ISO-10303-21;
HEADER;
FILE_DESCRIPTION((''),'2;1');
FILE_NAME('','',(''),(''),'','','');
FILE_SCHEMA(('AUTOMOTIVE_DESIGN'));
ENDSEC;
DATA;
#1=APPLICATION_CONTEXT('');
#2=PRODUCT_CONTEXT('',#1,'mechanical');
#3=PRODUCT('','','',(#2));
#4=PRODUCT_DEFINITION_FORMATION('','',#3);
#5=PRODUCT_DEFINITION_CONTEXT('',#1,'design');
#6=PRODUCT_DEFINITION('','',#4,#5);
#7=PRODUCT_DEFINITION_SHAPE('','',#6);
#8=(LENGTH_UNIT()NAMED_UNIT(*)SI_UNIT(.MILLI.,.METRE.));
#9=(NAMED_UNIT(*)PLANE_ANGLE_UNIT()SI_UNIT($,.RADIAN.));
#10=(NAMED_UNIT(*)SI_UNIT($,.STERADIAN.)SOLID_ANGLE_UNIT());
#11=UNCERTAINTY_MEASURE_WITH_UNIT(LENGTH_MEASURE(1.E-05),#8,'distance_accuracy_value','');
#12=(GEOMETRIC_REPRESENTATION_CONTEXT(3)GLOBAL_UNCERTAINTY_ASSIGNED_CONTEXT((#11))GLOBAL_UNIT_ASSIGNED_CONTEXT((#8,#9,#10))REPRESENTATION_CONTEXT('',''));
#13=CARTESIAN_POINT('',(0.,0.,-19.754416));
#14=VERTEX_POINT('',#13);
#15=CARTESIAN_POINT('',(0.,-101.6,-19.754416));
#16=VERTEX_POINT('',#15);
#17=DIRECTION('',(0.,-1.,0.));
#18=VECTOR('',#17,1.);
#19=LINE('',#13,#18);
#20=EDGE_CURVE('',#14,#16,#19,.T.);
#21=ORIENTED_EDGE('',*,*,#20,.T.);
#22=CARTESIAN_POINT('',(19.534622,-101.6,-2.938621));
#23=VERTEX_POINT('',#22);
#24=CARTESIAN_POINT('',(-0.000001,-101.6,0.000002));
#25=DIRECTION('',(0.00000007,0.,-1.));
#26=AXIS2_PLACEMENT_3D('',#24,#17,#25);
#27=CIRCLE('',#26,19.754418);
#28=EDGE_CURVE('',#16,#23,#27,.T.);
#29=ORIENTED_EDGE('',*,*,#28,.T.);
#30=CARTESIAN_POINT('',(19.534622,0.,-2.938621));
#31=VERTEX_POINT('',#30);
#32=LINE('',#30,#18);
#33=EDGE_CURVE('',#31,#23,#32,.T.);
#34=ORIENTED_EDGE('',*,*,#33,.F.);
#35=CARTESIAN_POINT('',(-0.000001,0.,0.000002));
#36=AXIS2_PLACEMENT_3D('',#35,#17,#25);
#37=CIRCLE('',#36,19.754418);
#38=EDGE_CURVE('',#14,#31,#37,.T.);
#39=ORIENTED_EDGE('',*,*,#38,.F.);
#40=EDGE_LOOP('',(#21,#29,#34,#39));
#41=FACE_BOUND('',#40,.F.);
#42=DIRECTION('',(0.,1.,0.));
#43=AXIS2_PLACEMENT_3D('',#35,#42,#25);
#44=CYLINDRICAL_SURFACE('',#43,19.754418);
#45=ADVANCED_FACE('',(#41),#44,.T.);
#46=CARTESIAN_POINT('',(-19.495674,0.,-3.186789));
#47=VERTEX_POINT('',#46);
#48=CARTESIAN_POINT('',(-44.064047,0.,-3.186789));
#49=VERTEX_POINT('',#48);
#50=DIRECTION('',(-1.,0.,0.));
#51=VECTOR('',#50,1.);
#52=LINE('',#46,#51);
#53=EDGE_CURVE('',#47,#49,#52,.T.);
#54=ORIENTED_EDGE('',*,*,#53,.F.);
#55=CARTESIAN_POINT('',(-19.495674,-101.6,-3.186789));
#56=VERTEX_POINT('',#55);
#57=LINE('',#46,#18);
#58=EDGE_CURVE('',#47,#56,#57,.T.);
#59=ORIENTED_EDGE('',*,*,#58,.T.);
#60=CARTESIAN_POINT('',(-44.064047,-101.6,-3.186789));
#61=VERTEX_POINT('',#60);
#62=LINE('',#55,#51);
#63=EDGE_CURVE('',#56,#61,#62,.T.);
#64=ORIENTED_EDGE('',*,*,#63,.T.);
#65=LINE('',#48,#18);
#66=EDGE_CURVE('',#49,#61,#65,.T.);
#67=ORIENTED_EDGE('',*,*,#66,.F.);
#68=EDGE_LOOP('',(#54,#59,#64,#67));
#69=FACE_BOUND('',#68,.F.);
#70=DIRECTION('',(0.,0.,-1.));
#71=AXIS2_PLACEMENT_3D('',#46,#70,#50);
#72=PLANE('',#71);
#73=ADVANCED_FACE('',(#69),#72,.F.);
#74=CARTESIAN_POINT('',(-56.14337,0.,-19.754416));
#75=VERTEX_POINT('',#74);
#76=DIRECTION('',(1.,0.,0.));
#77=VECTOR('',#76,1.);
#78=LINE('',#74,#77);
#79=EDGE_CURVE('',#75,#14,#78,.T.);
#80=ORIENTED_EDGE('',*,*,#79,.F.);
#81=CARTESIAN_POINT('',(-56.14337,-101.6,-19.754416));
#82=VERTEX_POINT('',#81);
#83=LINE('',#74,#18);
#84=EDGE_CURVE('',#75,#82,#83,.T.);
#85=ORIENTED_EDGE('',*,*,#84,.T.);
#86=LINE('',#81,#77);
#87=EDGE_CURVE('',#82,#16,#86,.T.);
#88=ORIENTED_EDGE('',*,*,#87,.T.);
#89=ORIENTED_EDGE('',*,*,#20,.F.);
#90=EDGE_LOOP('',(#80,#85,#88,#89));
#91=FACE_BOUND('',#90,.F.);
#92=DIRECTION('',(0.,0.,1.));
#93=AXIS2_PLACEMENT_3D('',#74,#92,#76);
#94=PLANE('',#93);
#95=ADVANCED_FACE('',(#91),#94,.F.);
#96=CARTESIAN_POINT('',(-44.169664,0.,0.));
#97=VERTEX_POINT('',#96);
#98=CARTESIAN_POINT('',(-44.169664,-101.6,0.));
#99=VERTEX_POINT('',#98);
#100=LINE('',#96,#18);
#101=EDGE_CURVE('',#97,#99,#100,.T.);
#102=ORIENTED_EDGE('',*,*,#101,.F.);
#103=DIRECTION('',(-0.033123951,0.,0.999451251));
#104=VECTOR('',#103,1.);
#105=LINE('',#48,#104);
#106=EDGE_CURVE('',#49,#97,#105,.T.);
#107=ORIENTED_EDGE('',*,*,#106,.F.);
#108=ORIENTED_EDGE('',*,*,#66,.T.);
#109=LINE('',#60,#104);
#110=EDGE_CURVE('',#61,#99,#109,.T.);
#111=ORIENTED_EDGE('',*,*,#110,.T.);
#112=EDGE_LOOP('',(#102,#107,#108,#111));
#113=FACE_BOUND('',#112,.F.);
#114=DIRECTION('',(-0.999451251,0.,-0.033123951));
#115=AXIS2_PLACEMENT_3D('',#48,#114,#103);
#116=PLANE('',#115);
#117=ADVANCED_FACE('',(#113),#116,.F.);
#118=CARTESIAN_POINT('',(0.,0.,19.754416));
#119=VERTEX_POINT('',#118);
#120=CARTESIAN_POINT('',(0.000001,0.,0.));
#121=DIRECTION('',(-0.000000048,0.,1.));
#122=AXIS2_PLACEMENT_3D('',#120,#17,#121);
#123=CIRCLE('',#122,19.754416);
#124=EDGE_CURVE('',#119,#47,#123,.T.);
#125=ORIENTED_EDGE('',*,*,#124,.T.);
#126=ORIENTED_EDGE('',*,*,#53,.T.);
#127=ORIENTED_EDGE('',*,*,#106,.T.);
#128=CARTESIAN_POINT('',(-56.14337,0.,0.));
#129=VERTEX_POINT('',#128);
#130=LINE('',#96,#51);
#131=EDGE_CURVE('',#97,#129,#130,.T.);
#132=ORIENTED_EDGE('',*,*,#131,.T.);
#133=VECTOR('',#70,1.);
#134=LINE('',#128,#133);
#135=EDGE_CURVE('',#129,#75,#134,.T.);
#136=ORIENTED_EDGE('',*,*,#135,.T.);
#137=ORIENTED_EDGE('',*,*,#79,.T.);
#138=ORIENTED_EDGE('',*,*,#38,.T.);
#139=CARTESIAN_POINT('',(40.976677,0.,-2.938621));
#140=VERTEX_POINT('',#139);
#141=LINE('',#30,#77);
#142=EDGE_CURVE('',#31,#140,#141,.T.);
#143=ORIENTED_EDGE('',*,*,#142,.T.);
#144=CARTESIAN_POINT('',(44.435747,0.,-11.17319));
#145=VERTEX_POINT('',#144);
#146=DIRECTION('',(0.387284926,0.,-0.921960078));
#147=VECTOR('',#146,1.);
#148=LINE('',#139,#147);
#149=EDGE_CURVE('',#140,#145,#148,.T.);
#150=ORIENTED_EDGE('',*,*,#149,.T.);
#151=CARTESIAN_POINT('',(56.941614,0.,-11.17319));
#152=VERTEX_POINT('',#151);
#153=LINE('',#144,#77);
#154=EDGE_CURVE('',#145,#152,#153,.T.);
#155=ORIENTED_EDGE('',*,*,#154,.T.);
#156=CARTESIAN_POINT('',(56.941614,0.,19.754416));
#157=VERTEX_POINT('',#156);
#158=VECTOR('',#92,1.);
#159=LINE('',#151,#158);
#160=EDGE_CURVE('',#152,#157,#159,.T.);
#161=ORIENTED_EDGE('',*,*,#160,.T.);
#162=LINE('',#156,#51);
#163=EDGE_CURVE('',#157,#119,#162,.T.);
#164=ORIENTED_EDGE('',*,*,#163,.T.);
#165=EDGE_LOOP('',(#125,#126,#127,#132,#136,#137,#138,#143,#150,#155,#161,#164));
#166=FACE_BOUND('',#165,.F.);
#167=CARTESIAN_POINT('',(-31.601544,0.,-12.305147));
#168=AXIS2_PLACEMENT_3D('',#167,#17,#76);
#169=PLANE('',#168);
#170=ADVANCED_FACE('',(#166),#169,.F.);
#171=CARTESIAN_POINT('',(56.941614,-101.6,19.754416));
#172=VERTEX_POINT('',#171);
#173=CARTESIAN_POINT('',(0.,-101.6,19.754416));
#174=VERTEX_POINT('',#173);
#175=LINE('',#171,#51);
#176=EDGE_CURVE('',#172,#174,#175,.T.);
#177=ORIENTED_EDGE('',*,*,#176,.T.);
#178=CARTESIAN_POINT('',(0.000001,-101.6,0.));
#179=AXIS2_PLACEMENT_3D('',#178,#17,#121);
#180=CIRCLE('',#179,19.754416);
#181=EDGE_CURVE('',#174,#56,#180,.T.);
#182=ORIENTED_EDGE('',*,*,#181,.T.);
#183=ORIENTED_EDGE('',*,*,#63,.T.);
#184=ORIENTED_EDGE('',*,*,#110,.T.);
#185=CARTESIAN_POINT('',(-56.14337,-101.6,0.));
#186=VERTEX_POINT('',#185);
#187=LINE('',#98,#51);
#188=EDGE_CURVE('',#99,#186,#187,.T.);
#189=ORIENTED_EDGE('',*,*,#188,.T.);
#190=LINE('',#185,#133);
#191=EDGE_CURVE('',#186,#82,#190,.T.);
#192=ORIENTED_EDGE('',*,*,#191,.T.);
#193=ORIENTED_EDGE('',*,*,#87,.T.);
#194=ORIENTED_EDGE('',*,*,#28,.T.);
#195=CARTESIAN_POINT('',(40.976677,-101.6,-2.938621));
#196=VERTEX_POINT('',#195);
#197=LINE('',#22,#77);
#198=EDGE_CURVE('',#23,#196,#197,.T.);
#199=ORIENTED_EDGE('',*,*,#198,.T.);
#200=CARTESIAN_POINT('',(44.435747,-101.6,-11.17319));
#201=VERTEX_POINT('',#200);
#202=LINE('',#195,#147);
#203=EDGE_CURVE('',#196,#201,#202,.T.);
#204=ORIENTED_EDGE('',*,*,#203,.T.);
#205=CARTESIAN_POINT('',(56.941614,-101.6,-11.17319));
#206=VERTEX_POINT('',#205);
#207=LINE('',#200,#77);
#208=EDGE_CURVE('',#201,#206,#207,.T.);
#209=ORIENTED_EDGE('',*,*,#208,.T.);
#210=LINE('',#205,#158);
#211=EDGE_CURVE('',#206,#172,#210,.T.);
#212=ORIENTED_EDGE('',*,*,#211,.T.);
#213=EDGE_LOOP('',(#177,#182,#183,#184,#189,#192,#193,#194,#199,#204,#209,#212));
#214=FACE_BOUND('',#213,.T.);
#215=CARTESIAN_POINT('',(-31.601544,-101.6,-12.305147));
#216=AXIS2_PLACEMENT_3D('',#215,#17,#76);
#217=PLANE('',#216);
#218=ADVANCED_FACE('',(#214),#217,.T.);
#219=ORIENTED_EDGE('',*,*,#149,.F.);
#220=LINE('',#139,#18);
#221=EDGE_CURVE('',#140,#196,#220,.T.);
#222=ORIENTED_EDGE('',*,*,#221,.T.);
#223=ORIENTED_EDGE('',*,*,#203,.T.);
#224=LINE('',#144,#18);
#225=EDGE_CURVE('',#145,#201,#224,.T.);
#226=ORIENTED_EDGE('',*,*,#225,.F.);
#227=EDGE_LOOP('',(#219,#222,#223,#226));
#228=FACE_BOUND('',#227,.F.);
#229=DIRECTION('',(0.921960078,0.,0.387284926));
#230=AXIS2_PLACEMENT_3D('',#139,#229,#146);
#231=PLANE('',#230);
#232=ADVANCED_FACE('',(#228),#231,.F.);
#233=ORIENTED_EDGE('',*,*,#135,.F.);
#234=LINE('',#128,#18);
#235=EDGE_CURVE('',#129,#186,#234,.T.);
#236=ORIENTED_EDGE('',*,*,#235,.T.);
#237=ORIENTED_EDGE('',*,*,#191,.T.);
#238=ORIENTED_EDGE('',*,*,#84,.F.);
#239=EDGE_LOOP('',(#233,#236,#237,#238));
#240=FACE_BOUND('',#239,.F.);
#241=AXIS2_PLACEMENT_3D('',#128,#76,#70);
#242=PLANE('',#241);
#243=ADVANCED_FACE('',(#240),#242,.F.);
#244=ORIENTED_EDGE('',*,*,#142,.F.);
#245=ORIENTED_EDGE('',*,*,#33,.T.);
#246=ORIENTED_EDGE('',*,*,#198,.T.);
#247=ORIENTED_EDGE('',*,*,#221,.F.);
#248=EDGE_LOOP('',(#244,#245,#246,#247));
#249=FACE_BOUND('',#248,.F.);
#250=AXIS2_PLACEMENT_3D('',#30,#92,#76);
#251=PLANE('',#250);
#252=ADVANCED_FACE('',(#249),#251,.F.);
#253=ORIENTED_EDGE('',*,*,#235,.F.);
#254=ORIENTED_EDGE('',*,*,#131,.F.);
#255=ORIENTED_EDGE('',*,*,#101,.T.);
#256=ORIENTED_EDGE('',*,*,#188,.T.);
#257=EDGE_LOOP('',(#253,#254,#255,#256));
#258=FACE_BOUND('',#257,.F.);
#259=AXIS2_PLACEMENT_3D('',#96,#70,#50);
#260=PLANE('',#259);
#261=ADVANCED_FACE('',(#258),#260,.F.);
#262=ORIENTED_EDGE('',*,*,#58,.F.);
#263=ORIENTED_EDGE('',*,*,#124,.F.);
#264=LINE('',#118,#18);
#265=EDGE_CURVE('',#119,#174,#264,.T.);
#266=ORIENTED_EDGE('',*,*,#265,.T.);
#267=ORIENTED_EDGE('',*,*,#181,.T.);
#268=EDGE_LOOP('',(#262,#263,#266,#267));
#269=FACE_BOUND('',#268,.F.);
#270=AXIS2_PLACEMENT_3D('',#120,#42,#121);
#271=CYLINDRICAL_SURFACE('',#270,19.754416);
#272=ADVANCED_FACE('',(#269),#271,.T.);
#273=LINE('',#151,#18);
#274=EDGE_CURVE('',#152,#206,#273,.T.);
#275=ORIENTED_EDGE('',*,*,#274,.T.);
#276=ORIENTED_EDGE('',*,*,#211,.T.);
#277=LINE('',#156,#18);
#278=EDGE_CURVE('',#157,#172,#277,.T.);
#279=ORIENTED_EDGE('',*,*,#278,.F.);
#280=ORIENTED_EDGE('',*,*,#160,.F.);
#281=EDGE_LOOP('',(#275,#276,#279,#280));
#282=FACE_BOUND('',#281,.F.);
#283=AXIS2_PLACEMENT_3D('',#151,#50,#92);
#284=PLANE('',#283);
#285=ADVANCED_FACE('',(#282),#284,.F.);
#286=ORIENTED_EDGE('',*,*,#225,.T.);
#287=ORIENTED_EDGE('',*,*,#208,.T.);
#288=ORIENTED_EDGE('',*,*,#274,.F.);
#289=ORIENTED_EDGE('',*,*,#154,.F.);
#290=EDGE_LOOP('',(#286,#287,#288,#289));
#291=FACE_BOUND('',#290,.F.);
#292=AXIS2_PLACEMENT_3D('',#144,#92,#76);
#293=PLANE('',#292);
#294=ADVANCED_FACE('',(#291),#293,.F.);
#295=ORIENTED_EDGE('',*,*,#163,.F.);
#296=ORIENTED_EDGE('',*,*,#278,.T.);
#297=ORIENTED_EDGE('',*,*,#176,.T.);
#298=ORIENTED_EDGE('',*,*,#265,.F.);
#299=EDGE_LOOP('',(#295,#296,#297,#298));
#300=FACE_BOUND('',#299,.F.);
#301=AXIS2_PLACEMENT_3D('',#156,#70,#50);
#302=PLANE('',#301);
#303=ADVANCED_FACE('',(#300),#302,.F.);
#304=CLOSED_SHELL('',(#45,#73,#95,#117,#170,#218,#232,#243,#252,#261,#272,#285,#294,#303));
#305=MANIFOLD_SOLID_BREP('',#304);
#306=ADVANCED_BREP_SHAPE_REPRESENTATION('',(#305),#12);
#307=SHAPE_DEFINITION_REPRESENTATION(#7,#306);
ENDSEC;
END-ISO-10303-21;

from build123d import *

# Parameters (mm, degrees)
F1_DEPTH = 101.6


with BuildPart() as f1:
    # F0 (on Front) → F1 (new body)
    with BuildSketch(Plane.XZ):
        with BuildLine():
            ThreePointArc((0, -19.754416), (-12.792259, -15.053074), (-19.495674, -3.186789))
            Line((-19.495674, -3.186789), (-44.064047, -3.186789))
            Line((-44.064047, -3.186789), (-44.169664, 0))
            Line((-44.169664, 0), (-56.14337, 0))
            Line((-56.14337, 0), (-56.14337, -19.754416))
            Line((-56.14337, -19.754416), (0, -19.754416))
        make_face()
        with BuildLine():
            ThreePointArc((19.534622, -2.938621), (19.699391, -1.473415), (19.754416, 0))
            ThreePointArc((19.754416, 0), (13.968481, 13.968481), (0, 19.754416))
            ThreePointArc((0, 19.754416), (-15.053074, 12.792259), (-19.495674, -3.186789))
            ThreePointArc((-19.495674, -3.186789), (-12.792259, -15.053074), (0, -19.754416))
            ThreePointArc((0, -19.754416), (12.887711, -14.971434), (19.534622, -2.938621))
        make_face()
        with BuildLine():
            ThreePointArc((0, 19.754416), (13.968481, 13.968481), (19.754416, 0))
            ThreePointArc((19.754416, 0), (19.699391, -1.473415), (19.534622, -2.938621))
            Line((19.534622, -2.938621), (40.976677, -2.938621))
            Line((40.976677, -2.938621), (44.435747, -11.17319))
            Line((44.435747, -11.17319), (56.941614, -11.17319))
            Line((56.941614, -11.17319), (56.941614, 19.754416))
            Line((56.941614, 19.754416), (0, 19.754416))
        make_face()
    extrude(amount=F1_DEPTH)


solid = f1.part
